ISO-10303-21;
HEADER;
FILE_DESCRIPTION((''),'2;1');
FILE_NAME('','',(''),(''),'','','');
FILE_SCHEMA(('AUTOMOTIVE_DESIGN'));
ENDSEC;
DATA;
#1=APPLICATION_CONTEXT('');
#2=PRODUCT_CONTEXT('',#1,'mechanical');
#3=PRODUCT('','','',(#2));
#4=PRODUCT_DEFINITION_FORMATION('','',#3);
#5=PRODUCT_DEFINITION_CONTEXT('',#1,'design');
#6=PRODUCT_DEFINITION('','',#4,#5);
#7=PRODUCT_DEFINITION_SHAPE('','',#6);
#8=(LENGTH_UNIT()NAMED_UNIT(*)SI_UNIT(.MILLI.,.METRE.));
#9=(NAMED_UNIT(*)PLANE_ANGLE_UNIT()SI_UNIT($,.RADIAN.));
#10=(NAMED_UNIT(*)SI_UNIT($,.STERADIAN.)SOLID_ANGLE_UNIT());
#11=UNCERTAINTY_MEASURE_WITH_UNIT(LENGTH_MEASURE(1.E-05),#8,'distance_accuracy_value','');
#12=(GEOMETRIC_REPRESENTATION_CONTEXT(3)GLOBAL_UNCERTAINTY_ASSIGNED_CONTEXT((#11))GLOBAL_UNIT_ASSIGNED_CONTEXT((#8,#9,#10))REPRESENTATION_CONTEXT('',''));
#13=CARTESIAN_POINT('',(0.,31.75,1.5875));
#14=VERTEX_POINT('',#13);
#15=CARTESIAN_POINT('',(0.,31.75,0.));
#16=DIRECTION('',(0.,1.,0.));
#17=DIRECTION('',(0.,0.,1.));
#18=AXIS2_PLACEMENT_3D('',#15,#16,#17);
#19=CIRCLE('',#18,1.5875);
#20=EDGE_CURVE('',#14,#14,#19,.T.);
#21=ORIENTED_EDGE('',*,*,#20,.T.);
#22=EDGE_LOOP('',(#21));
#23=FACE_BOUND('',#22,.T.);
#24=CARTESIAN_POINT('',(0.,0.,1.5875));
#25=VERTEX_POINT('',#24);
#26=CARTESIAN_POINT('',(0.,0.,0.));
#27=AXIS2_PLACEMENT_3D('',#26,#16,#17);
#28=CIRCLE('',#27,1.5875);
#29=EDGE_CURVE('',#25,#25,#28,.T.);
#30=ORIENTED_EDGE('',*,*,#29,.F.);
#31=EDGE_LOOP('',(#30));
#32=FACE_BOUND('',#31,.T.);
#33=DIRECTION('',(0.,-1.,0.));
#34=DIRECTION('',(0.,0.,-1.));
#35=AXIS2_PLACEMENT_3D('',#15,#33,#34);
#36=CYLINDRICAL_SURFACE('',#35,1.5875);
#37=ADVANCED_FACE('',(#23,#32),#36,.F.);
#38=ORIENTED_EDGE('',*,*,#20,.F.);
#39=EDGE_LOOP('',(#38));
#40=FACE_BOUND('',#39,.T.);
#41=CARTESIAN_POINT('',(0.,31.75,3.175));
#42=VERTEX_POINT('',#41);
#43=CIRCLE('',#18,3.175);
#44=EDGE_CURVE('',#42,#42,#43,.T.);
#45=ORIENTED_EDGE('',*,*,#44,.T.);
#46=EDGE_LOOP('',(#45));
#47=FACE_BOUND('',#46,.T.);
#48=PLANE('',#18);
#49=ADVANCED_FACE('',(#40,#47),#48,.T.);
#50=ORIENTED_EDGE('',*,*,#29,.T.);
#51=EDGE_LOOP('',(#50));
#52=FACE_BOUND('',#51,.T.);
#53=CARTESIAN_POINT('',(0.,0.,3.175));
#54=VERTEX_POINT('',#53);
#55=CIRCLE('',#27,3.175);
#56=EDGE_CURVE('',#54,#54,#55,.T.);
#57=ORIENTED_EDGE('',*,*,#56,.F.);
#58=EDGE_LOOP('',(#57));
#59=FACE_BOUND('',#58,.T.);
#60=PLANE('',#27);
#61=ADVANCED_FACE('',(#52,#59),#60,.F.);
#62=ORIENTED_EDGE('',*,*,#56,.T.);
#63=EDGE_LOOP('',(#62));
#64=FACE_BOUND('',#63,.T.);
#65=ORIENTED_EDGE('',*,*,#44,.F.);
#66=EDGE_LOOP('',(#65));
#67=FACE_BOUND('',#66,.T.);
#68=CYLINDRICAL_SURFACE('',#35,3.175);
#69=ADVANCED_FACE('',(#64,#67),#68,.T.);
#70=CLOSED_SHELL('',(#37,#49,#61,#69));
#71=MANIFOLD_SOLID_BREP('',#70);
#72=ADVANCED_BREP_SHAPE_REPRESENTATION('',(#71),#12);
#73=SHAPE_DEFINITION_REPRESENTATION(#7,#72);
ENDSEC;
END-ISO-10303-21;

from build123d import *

# Parameters (mm, degrees)
SKETCH1_R           = 3.175
SKETCH1_R_2         = 1.5875
BOSS_EXTRUDE1_DEPTH = 31.75


with BuildPart() as part:
    # Sketch1 → Boss-Extrude1 (new body)
    with BuildSketch(Plane(origin=(0, 0, 0), x_dir=(1, 0, 0), z_dir=(0, 1, 0))):
        Circle(SKETCH1_R)
        Circle(SKETCH1_R_2, mode=Mode.SUBTRACT)
    extrude(amount=BOSS_EXTRUDE1_DEPTH)


solid = part.part
